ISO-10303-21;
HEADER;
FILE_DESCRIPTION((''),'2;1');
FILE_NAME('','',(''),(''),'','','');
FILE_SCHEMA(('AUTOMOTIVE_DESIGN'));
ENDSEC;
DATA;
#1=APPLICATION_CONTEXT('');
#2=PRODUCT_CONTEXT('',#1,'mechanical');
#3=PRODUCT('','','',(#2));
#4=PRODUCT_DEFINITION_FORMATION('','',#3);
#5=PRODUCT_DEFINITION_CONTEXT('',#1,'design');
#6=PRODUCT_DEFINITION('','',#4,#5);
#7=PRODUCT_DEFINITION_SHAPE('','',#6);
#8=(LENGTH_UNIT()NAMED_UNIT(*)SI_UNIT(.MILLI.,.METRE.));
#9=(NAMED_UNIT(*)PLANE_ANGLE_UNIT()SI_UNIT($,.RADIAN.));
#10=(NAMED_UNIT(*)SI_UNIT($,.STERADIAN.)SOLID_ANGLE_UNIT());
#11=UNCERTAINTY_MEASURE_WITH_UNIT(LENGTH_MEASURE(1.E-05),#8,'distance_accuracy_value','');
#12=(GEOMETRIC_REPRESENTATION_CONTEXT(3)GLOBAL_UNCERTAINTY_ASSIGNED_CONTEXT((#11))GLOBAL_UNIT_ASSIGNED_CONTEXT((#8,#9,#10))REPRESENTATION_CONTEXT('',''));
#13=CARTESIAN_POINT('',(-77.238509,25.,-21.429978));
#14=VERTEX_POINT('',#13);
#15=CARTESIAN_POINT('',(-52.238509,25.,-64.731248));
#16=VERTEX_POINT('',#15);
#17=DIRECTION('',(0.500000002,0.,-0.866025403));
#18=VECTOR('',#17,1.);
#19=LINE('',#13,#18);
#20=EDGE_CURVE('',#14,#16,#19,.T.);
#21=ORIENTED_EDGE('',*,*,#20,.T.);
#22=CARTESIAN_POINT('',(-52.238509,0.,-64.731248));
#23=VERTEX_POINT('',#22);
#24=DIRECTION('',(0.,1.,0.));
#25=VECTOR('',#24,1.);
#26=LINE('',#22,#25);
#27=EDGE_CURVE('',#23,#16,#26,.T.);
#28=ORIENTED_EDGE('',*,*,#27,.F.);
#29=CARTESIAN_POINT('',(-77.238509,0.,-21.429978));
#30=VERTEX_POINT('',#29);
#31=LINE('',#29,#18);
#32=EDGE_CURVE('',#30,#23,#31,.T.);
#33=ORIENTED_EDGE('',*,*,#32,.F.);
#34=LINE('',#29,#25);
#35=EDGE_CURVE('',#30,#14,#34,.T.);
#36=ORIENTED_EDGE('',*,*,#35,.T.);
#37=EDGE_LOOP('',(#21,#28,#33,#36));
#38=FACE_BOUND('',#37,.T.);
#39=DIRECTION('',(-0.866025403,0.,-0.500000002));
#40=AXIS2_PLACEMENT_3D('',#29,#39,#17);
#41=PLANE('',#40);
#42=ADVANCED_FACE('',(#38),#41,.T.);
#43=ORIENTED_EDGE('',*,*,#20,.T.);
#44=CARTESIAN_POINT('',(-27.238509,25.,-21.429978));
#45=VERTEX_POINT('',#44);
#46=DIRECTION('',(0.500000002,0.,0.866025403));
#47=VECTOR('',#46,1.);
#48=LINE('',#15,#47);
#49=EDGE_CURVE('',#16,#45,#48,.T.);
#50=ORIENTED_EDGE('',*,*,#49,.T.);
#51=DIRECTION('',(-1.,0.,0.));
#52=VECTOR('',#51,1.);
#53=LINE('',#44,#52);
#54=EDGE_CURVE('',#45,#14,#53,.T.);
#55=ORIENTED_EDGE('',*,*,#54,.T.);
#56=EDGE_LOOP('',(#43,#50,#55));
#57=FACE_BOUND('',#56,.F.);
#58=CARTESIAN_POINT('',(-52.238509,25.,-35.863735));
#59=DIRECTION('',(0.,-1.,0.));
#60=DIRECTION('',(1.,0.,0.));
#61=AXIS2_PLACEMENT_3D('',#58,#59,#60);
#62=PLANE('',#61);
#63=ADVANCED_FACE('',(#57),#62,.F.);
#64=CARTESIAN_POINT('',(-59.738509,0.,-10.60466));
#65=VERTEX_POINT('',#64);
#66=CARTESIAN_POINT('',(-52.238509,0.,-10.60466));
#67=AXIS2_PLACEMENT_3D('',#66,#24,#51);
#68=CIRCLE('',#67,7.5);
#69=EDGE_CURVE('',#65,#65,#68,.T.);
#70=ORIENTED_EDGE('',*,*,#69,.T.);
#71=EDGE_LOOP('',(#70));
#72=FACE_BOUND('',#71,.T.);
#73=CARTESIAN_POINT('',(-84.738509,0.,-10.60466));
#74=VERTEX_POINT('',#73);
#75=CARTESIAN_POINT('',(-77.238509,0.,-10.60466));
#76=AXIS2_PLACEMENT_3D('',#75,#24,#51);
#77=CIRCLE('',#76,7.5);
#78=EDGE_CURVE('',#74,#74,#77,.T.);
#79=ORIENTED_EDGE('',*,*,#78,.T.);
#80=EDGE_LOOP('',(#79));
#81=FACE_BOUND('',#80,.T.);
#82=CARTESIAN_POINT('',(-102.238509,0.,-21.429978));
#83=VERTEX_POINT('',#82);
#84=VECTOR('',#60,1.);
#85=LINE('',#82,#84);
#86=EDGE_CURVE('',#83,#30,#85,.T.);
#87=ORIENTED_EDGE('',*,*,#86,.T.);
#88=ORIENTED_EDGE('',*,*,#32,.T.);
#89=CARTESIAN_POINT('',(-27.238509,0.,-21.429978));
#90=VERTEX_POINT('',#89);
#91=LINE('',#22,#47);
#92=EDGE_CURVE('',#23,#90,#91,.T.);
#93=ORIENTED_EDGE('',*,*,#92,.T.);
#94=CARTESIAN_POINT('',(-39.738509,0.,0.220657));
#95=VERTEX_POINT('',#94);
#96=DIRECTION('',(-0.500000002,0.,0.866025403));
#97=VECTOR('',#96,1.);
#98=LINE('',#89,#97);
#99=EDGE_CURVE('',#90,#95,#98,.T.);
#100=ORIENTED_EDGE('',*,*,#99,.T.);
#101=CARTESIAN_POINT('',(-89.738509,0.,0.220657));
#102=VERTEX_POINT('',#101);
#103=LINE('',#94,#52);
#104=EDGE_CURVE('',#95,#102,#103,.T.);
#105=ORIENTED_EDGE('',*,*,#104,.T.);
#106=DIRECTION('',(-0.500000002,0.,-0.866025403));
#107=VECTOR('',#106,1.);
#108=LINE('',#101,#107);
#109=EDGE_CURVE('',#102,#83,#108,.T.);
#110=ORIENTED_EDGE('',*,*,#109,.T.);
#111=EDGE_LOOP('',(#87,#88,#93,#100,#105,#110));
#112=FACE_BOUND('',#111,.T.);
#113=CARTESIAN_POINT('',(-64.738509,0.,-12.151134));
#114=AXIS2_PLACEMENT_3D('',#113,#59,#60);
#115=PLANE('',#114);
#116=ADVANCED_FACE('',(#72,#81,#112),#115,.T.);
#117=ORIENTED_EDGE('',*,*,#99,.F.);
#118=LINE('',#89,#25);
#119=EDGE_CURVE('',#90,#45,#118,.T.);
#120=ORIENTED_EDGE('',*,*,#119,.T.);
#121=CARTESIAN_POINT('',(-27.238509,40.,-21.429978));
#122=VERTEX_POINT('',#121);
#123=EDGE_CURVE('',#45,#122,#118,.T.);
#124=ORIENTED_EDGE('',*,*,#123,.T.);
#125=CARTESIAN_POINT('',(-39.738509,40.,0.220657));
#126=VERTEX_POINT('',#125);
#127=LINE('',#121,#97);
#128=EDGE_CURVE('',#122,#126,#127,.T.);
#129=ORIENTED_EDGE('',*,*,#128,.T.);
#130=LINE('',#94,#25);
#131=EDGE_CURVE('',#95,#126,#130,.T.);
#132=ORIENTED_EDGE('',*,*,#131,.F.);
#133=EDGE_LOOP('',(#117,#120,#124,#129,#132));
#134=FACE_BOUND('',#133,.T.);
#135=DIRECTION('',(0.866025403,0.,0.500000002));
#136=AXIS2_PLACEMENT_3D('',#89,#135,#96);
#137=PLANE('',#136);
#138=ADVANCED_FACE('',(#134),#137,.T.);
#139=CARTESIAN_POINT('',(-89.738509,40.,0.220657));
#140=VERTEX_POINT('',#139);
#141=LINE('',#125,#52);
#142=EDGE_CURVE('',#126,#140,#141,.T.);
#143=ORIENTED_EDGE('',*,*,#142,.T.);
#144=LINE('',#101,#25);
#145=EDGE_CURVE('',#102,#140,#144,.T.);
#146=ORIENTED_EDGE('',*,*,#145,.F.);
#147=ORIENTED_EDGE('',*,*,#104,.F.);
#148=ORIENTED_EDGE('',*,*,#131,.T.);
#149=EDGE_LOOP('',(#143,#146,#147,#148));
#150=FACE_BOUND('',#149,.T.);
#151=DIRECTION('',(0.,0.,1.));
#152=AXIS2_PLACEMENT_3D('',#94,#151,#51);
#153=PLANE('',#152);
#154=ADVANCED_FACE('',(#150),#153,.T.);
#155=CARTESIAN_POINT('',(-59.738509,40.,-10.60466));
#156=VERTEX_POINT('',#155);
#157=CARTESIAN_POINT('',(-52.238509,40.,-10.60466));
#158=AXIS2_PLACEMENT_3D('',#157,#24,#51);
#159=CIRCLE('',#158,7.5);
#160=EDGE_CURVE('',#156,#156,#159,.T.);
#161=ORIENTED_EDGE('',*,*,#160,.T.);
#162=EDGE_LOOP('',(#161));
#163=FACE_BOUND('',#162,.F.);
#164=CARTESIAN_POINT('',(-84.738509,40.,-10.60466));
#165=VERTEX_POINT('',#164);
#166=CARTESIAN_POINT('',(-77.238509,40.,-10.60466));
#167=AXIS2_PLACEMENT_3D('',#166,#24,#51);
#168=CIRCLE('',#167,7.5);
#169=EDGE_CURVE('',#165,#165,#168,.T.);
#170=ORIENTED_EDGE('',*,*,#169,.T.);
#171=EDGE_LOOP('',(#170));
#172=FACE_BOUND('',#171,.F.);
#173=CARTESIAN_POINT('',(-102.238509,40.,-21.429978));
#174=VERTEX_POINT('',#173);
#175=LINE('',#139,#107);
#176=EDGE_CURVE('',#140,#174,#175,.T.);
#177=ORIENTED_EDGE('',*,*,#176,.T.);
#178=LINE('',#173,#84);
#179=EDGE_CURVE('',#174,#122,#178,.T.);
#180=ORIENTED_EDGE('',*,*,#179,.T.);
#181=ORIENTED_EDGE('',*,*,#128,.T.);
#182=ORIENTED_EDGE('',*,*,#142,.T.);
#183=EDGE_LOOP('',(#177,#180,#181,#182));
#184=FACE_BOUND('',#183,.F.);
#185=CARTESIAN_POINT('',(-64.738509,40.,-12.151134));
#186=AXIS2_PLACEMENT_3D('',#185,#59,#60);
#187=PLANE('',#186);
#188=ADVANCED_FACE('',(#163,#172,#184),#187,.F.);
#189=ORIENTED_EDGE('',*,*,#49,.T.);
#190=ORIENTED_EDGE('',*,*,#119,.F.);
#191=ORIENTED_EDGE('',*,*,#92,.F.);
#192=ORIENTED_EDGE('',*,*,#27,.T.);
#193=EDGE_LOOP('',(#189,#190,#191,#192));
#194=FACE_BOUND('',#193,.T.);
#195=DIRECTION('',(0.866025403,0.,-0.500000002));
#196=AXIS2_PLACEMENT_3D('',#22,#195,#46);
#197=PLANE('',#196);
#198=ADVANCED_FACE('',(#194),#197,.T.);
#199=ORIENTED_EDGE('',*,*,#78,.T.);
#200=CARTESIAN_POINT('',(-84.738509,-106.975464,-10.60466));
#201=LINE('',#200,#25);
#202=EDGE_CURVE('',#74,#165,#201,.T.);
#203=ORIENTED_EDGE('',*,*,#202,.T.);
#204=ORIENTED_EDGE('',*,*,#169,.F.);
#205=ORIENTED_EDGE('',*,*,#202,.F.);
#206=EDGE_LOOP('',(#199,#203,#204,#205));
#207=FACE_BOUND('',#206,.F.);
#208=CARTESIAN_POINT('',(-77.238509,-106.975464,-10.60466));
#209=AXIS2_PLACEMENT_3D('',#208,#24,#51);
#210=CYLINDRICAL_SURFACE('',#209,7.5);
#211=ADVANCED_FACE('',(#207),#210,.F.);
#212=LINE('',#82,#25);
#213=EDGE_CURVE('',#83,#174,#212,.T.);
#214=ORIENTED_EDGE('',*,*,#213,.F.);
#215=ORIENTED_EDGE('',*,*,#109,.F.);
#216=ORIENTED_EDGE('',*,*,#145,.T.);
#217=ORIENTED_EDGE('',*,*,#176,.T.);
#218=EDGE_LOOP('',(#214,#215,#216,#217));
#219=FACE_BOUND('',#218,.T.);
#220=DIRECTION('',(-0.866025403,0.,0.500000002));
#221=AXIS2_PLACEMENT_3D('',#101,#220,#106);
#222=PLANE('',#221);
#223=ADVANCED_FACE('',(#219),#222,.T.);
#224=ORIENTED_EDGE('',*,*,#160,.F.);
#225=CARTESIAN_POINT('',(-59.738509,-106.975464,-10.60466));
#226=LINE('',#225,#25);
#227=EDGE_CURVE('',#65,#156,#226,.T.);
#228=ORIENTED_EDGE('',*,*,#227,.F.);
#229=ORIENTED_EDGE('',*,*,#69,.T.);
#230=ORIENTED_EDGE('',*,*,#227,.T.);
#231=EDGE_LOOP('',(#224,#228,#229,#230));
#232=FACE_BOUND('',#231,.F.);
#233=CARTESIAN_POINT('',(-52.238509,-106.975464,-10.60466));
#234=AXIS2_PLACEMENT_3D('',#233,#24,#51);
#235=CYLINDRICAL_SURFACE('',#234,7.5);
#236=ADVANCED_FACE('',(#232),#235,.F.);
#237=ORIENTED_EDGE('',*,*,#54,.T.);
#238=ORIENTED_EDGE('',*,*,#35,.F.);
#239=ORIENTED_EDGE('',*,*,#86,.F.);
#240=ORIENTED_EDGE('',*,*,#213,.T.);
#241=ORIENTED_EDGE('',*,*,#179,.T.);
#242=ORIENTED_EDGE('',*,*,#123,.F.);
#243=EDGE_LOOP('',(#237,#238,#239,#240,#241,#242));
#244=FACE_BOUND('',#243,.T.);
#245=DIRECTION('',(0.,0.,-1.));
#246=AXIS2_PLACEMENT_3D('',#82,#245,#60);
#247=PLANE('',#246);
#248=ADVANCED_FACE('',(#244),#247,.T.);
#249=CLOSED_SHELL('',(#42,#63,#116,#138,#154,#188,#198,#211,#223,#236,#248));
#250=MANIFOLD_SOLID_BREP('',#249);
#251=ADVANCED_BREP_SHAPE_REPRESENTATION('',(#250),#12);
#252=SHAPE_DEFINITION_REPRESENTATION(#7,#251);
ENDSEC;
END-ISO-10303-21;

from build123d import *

# Parameters (mm, degrees)
F1_DEPTH = 25
F2_DEPTH = 40
F3_D     = 15
F4_D     = 15


with BuildPart() as f1:
    # F0 (on Front) → F1 (new body)
    with BuildSketch(Plane.XZ):
        Polygon((-77.238509, -21.429978), (-52.238509, -64.731248), (-27.238509, -21.429978), (-52.238509, -21.429978), align=None)
    extrude(amount=-F1_DEPTH)

    # F0 (on Front) → F2 (join)
    with BuildSketch(Plane.XZ):
        Polygon((-102.238509, -21.429978), (-77.238509, -21.429978), (-52.238509, -21.429978), (-27.238509, -21.429978), (-39.738509, 0.220657), (-52.238509, 0.220657), (-89.738509, 0.220657), align=None)
    extrude(amount=-F2_DEPTH)

    # F3 (through all)
    with Locations(Plane.XZ):
        with Locations((-52.238509, -10.60466)):
            Hole(F3_D / 2)

    # F4 (through all)
    with Locations(Plane.XZ):
        with Locations((-77.238509, -10.60466)):
            Hole(F4_D / 2)


solid = f1.part
